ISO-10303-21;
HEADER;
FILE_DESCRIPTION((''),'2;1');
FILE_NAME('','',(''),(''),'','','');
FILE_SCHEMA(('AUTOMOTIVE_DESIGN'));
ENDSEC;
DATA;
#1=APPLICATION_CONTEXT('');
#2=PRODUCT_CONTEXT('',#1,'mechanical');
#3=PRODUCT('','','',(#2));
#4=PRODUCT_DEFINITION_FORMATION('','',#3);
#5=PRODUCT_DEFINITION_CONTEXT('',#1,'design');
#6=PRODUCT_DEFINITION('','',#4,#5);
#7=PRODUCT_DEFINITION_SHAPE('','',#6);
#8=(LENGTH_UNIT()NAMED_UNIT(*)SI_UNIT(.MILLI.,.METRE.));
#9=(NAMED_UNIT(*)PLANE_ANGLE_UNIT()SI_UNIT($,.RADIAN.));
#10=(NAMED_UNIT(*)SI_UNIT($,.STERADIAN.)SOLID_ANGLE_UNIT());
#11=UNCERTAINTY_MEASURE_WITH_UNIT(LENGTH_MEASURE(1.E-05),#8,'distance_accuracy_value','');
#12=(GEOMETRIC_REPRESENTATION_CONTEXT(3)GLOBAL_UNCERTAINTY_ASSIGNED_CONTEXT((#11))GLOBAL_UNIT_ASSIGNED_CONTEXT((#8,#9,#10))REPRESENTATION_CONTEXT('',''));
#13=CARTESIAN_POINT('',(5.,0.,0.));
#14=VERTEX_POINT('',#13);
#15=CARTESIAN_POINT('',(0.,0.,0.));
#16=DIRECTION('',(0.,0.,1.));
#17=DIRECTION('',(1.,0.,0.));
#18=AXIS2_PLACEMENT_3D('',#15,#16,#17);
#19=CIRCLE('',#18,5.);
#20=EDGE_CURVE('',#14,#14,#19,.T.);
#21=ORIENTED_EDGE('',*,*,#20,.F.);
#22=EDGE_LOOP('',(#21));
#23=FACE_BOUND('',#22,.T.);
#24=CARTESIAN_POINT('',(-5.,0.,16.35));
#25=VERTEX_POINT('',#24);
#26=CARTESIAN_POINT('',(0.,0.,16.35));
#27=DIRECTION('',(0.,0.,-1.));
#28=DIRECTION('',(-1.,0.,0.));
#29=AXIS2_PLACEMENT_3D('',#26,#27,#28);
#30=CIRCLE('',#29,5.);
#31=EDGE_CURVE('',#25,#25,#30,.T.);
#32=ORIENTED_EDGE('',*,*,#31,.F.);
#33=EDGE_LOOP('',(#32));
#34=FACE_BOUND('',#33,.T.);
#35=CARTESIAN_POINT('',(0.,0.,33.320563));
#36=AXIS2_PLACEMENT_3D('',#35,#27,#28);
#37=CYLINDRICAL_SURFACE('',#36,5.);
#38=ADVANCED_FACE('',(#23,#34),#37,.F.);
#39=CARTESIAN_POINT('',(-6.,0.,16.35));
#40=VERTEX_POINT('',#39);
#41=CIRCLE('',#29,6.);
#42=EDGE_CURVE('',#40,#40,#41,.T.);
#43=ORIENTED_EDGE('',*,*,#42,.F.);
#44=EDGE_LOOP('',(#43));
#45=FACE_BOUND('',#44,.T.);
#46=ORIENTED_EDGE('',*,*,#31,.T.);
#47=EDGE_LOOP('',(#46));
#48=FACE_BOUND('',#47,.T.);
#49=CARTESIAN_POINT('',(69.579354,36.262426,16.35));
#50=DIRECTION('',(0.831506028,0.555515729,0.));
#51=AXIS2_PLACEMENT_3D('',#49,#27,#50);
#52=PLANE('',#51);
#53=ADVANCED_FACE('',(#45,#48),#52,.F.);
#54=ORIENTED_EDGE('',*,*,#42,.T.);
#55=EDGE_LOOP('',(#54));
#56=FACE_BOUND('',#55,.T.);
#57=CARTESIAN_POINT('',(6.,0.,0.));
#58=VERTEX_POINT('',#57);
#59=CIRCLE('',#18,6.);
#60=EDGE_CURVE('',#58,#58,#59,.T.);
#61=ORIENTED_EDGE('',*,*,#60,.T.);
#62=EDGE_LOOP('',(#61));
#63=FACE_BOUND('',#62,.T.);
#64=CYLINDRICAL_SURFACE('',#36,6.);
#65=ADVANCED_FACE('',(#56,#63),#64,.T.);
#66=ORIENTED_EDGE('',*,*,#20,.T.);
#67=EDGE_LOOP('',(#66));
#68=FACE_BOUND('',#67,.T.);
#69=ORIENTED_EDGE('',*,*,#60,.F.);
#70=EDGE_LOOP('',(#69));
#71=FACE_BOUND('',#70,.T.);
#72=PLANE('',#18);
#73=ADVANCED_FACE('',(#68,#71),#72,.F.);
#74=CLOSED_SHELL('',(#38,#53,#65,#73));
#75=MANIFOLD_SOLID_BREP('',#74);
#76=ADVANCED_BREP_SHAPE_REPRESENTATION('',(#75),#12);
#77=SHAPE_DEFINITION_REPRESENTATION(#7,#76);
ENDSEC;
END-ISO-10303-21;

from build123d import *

# Parameters (mm, degrees)
SKETCH1_R           = 6
SKETCH1_R_2         = 5
BOSS_EXTRUDE1_DEPTH = 16.35


with BuildPart() as part:
    # Sketch1 → Boss-Extrude1 (new body)
    with BuildSketch(Plane.XY):
        Circle(SKETCH1_R)
        Circle(SKETCH1_R_2, mode=Mode.SUBTRACT)
    extrude(amount=BOSS_EXTRUDE1_DEPTH)


solid = part.part
